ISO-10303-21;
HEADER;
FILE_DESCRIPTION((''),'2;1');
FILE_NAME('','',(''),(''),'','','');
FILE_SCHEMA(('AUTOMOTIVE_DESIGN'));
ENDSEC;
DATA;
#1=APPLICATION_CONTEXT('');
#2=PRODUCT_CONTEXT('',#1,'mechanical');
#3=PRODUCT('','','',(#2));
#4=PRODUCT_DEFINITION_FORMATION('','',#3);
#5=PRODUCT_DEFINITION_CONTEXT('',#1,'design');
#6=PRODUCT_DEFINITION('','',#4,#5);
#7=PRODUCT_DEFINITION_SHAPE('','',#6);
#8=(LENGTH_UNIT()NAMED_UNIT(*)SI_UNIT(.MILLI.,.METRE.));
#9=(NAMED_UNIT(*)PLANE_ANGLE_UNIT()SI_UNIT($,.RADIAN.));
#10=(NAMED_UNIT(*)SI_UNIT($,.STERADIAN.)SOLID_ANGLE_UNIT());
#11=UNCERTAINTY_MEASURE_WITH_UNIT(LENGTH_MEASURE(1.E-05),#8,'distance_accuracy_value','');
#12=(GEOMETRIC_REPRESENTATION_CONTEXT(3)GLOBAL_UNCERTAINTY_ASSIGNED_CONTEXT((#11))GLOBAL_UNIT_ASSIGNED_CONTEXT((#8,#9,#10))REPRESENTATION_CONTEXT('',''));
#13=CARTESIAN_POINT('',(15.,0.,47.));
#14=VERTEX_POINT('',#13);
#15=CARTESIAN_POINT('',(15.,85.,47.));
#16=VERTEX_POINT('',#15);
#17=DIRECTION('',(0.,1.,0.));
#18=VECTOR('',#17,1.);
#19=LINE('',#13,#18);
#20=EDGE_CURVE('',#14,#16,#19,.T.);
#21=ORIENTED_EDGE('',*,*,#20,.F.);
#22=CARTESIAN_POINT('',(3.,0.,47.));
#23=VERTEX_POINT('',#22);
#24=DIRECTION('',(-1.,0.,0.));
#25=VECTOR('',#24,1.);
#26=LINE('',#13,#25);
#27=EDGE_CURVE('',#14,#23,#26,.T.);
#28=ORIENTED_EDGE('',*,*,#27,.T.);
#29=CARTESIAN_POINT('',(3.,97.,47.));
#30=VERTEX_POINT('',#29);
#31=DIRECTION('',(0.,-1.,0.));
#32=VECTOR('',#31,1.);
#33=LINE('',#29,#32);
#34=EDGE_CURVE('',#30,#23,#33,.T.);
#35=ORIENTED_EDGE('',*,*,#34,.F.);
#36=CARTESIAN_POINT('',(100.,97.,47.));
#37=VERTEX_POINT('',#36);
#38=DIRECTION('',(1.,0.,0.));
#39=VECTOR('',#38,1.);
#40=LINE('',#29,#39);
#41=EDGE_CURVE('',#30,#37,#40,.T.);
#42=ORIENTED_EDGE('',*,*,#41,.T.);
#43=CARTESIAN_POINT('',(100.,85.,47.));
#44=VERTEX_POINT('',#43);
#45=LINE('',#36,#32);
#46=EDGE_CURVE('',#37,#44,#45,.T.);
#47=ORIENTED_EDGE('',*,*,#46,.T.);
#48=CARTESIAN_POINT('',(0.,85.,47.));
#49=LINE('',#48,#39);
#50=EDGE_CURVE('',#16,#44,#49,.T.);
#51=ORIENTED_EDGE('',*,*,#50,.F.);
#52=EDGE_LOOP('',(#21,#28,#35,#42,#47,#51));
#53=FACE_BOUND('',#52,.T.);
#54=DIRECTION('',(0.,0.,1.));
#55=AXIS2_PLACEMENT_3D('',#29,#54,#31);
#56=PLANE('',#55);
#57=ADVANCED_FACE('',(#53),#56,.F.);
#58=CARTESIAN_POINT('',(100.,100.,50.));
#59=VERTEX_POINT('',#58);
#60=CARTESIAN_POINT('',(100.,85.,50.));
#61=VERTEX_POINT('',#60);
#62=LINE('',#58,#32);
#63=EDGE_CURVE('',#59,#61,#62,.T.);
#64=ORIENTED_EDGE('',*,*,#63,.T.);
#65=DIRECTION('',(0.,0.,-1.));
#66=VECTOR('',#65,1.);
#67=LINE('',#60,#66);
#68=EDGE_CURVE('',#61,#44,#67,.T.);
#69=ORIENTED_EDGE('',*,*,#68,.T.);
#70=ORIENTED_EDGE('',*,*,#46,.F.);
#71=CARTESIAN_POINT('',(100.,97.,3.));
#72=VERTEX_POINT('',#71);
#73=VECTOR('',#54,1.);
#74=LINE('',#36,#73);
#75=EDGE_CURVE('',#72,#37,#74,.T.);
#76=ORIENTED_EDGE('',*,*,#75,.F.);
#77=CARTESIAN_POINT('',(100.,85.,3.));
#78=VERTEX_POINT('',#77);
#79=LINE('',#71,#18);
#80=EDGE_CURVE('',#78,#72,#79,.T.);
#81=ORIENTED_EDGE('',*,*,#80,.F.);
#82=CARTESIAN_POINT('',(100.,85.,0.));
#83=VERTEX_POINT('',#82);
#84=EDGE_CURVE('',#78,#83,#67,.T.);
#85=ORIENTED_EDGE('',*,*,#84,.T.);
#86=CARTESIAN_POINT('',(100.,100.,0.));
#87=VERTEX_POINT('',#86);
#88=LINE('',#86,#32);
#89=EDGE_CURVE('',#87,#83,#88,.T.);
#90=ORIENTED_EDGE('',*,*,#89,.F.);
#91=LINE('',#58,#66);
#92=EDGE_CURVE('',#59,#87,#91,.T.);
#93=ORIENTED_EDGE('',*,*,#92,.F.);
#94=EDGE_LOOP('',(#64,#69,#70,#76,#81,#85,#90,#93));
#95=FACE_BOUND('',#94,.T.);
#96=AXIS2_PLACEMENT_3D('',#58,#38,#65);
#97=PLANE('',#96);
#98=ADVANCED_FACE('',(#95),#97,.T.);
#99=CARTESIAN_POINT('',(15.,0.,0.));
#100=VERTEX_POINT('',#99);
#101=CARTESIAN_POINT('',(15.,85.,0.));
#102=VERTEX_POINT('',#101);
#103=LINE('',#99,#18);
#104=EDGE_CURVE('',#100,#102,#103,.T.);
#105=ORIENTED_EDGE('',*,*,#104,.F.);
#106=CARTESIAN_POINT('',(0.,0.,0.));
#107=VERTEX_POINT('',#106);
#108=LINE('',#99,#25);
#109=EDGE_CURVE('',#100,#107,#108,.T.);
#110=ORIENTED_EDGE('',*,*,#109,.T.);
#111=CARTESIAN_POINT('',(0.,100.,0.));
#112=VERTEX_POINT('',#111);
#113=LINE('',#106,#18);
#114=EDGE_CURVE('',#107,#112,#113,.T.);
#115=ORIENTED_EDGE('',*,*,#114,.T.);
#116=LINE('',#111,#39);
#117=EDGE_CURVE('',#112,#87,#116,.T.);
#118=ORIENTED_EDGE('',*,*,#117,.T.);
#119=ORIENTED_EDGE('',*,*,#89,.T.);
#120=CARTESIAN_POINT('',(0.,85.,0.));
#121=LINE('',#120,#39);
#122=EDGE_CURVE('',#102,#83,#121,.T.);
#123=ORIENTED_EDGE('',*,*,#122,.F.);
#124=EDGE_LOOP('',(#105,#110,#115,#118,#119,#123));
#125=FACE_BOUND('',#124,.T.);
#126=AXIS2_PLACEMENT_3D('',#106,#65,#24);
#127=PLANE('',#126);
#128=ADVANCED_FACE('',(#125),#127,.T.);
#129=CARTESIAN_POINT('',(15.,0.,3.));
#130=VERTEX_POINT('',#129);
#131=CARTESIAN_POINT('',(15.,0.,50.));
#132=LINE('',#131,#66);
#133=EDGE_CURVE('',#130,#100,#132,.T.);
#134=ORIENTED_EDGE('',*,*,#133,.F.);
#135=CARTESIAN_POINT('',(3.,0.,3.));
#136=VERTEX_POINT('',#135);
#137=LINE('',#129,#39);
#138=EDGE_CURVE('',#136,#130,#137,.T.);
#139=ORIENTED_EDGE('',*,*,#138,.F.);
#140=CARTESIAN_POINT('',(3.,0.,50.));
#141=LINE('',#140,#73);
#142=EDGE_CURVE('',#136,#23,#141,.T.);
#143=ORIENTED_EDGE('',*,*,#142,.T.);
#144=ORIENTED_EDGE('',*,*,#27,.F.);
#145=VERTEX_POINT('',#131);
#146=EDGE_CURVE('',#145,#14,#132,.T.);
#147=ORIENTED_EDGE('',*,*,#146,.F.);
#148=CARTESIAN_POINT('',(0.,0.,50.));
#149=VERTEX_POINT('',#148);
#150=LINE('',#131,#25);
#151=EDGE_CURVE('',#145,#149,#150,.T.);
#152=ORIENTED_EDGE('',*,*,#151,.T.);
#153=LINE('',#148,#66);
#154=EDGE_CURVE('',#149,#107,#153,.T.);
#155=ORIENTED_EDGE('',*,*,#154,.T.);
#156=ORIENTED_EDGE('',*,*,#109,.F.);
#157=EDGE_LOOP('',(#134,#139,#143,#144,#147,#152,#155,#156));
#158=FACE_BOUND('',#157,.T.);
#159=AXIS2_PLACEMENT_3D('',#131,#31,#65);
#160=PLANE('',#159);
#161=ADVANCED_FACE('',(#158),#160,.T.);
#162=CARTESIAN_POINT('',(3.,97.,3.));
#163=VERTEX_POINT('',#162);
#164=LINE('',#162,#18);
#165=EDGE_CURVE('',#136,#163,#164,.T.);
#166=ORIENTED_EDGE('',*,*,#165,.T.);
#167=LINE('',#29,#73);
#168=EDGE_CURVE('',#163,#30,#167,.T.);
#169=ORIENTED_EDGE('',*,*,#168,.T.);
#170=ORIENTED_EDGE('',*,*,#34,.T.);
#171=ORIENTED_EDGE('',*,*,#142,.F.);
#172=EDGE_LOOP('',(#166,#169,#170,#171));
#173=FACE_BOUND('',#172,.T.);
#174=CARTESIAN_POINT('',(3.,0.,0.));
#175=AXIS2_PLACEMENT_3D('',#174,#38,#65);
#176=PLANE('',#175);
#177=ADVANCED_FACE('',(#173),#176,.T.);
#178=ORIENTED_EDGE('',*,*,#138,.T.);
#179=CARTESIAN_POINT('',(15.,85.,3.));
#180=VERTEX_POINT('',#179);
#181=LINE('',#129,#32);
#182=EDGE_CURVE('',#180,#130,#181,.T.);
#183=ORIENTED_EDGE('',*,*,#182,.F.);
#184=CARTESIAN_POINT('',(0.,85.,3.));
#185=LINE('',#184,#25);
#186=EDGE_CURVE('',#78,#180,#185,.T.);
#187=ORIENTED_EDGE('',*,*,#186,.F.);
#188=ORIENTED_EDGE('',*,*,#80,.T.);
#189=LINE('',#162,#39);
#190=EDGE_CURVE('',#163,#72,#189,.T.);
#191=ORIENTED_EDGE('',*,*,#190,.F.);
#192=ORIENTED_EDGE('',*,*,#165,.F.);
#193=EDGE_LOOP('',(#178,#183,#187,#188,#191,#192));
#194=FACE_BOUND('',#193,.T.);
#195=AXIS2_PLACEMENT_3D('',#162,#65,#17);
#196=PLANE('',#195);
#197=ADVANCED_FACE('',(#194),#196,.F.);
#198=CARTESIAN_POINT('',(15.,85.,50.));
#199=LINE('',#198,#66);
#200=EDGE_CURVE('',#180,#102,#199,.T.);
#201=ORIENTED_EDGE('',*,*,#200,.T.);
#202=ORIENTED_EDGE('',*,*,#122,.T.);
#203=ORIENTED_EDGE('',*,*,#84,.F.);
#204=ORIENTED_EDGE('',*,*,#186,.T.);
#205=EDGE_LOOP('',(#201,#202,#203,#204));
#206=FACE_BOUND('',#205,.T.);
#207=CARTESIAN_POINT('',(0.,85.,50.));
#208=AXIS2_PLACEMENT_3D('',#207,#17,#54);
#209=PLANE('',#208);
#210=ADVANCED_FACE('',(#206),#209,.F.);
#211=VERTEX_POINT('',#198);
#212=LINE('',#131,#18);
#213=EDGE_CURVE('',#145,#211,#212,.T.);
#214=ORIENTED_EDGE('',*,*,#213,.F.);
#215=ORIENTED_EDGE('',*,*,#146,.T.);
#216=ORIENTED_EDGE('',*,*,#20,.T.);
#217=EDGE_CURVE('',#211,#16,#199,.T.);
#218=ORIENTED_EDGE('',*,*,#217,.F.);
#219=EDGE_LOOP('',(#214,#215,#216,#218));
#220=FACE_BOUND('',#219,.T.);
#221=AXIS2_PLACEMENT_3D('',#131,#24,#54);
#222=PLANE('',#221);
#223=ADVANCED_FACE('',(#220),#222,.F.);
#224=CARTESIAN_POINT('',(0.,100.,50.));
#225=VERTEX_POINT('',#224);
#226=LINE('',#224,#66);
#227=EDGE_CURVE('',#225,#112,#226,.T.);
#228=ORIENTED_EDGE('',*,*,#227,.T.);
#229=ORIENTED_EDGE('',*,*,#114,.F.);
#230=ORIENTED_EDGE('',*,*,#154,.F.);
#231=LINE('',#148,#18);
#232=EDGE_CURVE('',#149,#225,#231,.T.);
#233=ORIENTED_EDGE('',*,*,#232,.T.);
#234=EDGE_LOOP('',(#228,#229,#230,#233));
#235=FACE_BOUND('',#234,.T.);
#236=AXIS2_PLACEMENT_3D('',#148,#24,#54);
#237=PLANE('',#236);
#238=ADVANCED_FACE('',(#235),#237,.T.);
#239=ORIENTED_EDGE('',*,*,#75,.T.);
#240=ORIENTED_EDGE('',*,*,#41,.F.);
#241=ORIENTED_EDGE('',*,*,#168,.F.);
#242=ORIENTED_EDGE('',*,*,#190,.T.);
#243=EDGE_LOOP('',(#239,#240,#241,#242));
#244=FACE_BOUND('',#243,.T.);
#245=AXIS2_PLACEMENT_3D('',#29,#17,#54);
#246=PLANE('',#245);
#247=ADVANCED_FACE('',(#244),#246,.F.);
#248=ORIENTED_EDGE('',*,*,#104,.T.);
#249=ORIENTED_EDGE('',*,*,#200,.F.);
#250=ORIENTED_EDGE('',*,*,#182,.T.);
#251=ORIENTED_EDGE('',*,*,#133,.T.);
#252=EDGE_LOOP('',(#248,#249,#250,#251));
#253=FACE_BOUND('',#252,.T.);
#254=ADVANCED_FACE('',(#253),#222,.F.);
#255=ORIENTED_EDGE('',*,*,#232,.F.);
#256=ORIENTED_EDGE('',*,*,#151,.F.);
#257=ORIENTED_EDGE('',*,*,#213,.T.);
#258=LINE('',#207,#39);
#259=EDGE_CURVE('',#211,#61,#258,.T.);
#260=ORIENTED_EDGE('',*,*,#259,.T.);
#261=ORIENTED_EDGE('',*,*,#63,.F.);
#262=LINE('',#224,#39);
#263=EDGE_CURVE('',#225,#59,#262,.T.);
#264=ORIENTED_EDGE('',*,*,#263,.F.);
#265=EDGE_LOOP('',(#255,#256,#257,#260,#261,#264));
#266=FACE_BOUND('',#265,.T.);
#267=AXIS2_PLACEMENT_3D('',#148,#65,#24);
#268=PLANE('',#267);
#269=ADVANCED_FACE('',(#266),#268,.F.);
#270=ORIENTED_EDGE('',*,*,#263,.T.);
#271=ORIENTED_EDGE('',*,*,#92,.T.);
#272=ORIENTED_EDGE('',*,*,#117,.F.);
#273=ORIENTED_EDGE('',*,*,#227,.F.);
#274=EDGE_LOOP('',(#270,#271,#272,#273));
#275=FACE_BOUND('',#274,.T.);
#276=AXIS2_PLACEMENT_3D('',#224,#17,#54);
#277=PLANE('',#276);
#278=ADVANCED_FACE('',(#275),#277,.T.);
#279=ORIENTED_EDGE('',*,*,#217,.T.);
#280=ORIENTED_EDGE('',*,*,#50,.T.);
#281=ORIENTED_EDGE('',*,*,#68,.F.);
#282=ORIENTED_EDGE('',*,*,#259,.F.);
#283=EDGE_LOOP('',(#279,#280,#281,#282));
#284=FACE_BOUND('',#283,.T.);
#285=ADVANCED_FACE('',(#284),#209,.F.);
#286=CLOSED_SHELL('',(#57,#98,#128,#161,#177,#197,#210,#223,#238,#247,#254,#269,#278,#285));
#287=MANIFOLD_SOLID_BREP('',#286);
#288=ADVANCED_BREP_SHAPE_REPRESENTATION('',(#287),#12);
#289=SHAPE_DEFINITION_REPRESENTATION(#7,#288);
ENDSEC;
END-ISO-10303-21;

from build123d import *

# Parameters (mm, degrees)
LINEAR_AUSTRAGEN_D_NN1_DEPTH    = 50
SKIZZE3_W                       = 44
SKIZZE3_H                       = 100.666411599
SCHNITT_LINEAR_AUSTRAGEN2_DEPTH = 97


with BuildPart() as part:
    # Skizze1 → Linear-Austragen-Dünn1 (new body)
    with BuildSketch(Plane.XY):
        Polygon((0, 0), (0, 100), (100, 100), (100, 85), (15, 85), (15, 0), align=None)
    extrude(amount=LINEAR_AUSTRAGEN_D_NN1_DEPTH)

    # Skizze3 → Schnitt-Linear austragen2 (cut)
    with BuildSketch(Plane(origin=(100, 0, 0), x_dir=(0, 0, -1), z_dir=(1, 0, 0))):
        with Locations((-25, 46.666794201)):
            Rectangle(SKIZZE3_W, SKIZZE3_H)
    extrude(amount=-SCHNITT_LINEAR_AUSTRAGEN2_DEPTH, mode=Mode.SUBTRACT)


solid = part.part
